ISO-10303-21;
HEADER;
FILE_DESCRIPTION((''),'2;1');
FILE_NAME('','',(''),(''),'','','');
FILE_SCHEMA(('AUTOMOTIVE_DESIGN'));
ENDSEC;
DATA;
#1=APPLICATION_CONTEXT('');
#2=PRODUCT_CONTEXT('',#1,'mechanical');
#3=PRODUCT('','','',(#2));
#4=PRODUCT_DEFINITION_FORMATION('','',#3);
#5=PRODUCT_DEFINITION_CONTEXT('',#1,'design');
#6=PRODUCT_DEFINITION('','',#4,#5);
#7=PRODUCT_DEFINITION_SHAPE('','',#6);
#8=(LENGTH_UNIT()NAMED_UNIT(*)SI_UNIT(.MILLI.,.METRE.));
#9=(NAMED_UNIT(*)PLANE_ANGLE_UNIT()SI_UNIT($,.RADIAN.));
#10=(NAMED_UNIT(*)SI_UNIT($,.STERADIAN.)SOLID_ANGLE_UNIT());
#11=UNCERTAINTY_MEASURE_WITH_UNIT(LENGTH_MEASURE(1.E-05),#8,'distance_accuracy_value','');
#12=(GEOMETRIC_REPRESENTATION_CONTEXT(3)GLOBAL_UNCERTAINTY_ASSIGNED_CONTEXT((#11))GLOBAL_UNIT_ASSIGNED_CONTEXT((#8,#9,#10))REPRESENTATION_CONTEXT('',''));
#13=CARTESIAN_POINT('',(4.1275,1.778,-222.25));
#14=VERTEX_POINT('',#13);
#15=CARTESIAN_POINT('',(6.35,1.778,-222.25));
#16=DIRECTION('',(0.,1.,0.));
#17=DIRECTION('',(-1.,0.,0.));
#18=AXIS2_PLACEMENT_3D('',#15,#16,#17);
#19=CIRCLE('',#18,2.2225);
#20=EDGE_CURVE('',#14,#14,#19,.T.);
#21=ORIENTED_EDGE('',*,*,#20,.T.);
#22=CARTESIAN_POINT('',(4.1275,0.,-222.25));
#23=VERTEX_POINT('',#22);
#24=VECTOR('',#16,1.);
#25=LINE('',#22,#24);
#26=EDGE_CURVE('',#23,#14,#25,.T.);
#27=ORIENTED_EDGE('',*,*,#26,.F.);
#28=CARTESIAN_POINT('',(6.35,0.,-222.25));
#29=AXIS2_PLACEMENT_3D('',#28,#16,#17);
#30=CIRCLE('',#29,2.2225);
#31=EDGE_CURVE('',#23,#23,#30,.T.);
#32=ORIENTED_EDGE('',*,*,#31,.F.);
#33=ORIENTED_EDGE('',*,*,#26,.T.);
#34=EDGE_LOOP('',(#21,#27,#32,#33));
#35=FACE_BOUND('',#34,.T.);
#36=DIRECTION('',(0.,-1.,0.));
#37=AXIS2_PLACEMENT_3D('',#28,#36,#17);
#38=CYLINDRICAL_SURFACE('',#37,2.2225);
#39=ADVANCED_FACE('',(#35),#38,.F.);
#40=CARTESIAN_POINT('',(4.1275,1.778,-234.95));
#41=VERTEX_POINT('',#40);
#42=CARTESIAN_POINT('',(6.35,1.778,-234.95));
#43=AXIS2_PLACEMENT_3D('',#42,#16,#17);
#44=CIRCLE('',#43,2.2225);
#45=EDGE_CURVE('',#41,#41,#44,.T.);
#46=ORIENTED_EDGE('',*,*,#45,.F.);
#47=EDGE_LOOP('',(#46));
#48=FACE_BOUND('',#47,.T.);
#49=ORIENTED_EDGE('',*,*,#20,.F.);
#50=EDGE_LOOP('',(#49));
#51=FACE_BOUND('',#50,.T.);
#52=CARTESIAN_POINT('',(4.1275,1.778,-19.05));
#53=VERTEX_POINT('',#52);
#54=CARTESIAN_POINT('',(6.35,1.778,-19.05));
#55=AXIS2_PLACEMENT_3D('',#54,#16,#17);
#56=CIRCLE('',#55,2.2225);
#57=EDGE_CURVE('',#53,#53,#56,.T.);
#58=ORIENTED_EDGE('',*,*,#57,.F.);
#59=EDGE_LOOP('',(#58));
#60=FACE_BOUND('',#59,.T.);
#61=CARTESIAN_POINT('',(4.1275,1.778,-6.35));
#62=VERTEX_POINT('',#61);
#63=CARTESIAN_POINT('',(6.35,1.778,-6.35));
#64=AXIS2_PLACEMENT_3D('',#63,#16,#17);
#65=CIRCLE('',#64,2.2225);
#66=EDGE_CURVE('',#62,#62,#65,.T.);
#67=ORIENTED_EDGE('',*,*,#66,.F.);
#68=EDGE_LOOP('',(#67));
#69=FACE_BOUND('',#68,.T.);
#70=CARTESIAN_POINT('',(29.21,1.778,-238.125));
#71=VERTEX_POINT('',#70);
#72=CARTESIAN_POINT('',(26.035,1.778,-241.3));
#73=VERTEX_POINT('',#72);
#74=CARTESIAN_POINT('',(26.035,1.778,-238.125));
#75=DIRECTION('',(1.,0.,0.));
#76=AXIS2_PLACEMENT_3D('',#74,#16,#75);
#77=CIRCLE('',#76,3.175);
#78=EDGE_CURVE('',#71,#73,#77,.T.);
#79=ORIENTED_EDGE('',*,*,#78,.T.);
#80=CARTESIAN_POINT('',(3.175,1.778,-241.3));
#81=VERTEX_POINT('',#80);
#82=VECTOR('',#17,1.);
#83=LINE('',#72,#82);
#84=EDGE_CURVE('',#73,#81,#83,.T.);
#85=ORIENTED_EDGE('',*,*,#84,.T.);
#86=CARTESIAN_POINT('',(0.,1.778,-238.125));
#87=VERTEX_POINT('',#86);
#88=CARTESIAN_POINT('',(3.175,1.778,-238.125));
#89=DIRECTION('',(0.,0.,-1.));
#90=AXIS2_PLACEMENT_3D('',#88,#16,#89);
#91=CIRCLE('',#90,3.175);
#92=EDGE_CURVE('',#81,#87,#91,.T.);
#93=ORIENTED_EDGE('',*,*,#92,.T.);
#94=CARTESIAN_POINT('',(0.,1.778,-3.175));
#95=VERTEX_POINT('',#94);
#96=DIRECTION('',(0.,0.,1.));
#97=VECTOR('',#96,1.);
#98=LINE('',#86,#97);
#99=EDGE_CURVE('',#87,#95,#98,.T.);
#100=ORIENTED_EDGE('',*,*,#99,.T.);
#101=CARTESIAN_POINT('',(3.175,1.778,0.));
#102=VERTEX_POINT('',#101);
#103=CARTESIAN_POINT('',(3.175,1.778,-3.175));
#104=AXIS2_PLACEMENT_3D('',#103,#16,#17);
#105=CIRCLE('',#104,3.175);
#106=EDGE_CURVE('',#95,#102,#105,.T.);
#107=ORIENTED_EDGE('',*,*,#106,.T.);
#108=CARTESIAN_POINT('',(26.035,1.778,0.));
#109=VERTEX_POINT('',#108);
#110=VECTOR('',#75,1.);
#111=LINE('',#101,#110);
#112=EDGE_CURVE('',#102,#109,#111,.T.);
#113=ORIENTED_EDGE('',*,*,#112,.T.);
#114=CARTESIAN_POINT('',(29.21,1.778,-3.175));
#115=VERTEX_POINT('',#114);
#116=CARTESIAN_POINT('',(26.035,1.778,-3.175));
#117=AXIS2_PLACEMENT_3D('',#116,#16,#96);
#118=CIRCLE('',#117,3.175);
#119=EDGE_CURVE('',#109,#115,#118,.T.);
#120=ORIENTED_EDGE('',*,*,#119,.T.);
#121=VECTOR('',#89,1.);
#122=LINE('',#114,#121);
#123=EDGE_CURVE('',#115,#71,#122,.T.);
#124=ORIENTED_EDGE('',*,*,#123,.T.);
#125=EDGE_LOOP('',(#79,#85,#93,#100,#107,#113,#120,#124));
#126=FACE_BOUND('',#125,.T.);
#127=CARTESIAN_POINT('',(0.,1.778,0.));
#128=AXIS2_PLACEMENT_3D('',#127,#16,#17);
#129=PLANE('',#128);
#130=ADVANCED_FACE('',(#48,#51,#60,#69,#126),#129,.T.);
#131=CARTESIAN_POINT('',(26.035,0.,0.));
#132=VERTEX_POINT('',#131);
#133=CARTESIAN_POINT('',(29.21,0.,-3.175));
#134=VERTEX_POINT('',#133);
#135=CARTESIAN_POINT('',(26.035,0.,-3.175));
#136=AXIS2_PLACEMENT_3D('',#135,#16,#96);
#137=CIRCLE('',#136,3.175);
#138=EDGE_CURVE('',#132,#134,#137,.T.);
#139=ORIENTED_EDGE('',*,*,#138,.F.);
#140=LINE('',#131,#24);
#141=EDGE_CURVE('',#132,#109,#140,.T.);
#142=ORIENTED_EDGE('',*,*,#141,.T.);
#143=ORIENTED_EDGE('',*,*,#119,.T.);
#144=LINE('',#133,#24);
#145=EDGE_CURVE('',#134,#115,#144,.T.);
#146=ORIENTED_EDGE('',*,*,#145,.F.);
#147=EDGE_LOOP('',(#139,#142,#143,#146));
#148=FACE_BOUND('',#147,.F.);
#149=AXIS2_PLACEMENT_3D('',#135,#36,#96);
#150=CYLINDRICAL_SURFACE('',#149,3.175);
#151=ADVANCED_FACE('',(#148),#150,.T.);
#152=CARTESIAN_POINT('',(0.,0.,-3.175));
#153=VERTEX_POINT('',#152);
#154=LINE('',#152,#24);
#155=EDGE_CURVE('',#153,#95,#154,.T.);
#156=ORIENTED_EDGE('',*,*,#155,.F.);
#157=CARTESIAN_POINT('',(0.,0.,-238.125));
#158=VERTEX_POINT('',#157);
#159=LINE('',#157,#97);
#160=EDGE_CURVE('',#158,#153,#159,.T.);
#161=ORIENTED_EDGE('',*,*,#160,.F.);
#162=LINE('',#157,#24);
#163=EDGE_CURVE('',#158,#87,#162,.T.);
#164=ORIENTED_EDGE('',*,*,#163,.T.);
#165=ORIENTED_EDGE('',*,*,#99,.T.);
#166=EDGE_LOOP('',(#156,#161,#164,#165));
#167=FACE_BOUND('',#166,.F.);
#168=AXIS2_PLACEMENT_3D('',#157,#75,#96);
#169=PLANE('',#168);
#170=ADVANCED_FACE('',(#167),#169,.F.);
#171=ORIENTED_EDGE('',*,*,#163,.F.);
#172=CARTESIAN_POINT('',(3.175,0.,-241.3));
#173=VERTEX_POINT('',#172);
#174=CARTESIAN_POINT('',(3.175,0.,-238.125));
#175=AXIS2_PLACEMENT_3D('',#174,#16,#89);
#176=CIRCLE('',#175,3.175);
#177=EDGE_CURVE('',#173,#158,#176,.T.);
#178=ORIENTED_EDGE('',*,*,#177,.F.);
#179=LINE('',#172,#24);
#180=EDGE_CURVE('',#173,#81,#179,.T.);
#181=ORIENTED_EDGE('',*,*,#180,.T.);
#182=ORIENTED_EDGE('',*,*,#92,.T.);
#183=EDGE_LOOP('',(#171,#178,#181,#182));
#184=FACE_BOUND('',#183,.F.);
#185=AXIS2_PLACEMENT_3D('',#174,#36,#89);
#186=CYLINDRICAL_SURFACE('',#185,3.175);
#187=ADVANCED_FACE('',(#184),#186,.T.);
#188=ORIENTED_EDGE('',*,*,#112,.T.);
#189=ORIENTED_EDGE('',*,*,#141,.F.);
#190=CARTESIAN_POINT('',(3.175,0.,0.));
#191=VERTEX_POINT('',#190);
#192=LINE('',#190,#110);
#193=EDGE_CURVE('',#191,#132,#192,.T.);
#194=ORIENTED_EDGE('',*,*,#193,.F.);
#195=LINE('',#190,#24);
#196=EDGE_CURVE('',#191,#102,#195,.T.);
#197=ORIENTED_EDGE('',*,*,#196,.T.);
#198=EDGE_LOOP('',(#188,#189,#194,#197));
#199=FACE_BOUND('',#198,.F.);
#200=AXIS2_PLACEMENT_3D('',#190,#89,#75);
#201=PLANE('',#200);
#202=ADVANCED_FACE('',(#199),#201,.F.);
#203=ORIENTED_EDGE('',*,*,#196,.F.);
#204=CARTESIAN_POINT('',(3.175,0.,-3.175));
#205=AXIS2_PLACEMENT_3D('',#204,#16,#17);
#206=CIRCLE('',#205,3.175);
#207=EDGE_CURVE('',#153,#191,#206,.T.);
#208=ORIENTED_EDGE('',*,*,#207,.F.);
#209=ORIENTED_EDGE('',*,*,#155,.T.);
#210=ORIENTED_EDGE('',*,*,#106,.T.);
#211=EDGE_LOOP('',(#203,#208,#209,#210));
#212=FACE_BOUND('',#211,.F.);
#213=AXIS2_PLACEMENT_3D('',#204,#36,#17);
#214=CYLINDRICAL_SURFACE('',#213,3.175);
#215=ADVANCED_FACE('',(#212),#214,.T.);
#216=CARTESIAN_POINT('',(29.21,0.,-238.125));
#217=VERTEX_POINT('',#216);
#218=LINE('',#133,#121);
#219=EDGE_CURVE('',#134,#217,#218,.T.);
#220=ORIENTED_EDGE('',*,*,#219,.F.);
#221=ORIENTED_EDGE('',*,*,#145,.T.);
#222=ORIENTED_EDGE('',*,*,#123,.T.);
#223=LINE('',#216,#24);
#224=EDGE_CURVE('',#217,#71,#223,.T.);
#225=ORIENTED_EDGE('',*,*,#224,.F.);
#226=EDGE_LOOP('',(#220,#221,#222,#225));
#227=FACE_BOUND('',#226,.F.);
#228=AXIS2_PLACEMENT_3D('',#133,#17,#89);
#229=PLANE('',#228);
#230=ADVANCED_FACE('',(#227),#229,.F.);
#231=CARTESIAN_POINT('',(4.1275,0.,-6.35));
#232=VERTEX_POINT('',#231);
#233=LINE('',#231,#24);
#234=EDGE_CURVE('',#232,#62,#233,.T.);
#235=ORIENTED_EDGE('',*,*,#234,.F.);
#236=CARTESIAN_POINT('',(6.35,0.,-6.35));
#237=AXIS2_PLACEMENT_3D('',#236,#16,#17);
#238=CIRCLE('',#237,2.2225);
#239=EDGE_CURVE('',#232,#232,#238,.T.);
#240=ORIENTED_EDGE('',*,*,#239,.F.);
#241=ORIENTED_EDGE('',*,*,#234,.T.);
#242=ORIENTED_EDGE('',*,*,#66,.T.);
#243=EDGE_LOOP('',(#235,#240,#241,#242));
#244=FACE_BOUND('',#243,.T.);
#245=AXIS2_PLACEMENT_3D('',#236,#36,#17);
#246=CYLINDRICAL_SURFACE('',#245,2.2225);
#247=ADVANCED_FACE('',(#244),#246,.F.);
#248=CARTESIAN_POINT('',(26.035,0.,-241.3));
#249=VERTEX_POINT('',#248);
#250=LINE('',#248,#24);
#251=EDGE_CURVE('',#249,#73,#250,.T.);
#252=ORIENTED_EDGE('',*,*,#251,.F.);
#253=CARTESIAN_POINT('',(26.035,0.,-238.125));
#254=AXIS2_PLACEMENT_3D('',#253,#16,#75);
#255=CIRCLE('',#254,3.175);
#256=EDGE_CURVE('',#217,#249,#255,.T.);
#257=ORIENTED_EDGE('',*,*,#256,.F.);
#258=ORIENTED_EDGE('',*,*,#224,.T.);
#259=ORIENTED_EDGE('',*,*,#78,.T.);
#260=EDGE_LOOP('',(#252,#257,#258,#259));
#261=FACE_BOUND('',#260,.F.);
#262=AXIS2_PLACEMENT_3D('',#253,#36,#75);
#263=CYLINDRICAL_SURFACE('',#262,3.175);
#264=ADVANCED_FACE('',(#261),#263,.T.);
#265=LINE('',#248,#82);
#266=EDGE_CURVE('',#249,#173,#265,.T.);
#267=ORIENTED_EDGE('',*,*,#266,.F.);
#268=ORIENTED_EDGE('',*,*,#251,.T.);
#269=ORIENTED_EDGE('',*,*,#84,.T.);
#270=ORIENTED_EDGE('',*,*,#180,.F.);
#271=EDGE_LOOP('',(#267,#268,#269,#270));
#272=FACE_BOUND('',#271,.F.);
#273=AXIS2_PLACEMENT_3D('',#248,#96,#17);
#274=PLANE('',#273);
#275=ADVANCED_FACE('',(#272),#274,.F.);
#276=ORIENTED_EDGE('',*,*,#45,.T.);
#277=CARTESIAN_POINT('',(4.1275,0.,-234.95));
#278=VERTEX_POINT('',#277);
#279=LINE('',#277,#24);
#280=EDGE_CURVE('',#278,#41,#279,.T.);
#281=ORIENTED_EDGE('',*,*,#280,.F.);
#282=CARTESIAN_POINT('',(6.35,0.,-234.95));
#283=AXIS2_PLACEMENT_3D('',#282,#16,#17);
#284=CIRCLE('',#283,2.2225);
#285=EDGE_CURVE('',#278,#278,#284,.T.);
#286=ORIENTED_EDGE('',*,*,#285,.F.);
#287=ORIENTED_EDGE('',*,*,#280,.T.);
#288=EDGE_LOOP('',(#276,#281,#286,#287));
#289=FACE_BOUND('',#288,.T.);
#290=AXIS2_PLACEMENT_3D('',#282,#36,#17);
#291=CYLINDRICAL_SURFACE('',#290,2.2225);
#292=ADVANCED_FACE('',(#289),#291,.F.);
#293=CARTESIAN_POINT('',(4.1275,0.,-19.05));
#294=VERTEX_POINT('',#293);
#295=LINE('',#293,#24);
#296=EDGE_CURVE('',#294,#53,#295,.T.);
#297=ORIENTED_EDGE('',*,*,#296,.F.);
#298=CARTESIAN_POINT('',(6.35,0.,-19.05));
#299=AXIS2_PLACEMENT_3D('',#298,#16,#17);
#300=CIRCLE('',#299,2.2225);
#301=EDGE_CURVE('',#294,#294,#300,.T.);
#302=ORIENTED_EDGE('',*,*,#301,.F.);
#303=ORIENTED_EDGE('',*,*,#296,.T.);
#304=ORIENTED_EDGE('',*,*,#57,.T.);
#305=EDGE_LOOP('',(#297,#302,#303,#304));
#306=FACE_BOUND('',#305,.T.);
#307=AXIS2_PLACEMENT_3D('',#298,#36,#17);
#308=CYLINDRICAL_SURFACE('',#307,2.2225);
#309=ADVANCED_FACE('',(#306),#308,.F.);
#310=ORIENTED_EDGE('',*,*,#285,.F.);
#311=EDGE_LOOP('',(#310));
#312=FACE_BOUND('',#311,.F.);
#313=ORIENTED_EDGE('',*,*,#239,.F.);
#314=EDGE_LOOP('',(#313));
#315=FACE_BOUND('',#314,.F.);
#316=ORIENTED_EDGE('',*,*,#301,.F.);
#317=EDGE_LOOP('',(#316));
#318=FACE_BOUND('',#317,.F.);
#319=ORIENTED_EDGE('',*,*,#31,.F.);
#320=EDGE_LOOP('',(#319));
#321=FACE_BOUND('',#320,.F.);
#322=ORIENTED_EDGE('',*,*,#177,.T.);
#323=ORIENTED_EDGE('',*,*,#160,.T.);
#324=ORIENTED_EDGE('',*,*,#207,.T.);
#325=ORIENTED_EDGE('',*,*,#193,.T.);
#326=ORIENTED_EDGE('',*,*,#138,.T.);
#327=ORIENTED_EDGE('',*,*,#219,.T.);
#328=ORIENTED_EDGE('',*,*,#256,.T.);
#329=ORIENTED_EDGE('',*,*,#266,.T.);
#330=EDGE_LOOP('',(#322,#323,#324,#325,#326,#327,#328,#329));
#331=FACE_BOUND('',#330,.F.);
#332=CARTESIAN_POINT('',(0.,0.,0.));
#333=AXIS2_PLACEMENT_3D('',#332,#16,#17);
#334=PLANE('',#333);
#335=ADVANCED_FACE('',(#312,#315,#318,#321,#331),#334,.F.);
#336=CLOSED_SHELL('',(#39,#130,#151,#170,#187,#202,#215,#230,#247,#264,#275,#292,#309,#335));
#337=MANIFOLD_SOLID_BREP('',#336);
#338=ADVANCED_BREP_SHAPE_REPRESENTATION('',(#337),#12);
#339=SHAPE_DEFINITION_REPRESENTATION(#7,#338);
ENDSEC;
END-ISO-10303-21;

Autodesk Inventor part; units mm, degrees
ref_plane "YZ Plane" through (0, 0, 0) normal (1, 0, 0) x (0, 1, 0)
ref_plane "XZ Plane" through (0, 0, 0) normal (0, 1, 0) x (-1, 0, 0)
ref_plane "XY Plane" through (0, 0, 0) normal (0, 0, 1) x (1, 0, 0)
sketch "Sketch1" plane through (0, 0, 0) normal (0, 1, 0) x (-1, 0, 0)
  line L0 (-3.175, 0) -> (-26.035, 0)
  line L1 (-29.21, -3.175) -> (-29.21, -238.125)
  line L2 (-26.035, -241.3) -> (-3.175, -241.3)
  line L3 (0, -238.125) -> (0, -3.175)
  circle A0 centre (-6.35, -6.35) radius 2.2225
  circle A1 centre (-6.35, -19.05) radius 2.2225
  circle A2 centre (-6.35, -234.95) radius 2.2225
  circle A3 centre (-6.35, -222.25) radius 2.2225
  arc A4 (0, -3.175) -> (-3.175, 0) centre (-3.175, -3.175) ccw
  arc A5 (-26.035, 0) -> (-29.21, -3.175) centre (-26.035, -3.175) ccw
  arc A6 (-3.175, -241.3) -> (0, -238.125) centre (-3.175, -238.125) ccw
  arc A7 (-29.21, -238.125) -> (-26.035, -241.3) centre (-26.035, -238.125) ccw
  point P0 (0, 0)
  point P1 (-29.21, -241.3)
  point P2 (-29.21, 0)
  point P3 (0, -241.3)
  dimension "d0" = 29.21
  dimension "d1" = 241.3
  dimension "d2" = 4.445
  dimension "d3" = 4.445
  dimension "d4" = 4.445
  dimension "d5" = 4.445
  dimension "d6" = 3.175
extrude "Extrusion1" add sketch "Sketch1" along normal blind 1.778
properties part number "holder_ramp"
